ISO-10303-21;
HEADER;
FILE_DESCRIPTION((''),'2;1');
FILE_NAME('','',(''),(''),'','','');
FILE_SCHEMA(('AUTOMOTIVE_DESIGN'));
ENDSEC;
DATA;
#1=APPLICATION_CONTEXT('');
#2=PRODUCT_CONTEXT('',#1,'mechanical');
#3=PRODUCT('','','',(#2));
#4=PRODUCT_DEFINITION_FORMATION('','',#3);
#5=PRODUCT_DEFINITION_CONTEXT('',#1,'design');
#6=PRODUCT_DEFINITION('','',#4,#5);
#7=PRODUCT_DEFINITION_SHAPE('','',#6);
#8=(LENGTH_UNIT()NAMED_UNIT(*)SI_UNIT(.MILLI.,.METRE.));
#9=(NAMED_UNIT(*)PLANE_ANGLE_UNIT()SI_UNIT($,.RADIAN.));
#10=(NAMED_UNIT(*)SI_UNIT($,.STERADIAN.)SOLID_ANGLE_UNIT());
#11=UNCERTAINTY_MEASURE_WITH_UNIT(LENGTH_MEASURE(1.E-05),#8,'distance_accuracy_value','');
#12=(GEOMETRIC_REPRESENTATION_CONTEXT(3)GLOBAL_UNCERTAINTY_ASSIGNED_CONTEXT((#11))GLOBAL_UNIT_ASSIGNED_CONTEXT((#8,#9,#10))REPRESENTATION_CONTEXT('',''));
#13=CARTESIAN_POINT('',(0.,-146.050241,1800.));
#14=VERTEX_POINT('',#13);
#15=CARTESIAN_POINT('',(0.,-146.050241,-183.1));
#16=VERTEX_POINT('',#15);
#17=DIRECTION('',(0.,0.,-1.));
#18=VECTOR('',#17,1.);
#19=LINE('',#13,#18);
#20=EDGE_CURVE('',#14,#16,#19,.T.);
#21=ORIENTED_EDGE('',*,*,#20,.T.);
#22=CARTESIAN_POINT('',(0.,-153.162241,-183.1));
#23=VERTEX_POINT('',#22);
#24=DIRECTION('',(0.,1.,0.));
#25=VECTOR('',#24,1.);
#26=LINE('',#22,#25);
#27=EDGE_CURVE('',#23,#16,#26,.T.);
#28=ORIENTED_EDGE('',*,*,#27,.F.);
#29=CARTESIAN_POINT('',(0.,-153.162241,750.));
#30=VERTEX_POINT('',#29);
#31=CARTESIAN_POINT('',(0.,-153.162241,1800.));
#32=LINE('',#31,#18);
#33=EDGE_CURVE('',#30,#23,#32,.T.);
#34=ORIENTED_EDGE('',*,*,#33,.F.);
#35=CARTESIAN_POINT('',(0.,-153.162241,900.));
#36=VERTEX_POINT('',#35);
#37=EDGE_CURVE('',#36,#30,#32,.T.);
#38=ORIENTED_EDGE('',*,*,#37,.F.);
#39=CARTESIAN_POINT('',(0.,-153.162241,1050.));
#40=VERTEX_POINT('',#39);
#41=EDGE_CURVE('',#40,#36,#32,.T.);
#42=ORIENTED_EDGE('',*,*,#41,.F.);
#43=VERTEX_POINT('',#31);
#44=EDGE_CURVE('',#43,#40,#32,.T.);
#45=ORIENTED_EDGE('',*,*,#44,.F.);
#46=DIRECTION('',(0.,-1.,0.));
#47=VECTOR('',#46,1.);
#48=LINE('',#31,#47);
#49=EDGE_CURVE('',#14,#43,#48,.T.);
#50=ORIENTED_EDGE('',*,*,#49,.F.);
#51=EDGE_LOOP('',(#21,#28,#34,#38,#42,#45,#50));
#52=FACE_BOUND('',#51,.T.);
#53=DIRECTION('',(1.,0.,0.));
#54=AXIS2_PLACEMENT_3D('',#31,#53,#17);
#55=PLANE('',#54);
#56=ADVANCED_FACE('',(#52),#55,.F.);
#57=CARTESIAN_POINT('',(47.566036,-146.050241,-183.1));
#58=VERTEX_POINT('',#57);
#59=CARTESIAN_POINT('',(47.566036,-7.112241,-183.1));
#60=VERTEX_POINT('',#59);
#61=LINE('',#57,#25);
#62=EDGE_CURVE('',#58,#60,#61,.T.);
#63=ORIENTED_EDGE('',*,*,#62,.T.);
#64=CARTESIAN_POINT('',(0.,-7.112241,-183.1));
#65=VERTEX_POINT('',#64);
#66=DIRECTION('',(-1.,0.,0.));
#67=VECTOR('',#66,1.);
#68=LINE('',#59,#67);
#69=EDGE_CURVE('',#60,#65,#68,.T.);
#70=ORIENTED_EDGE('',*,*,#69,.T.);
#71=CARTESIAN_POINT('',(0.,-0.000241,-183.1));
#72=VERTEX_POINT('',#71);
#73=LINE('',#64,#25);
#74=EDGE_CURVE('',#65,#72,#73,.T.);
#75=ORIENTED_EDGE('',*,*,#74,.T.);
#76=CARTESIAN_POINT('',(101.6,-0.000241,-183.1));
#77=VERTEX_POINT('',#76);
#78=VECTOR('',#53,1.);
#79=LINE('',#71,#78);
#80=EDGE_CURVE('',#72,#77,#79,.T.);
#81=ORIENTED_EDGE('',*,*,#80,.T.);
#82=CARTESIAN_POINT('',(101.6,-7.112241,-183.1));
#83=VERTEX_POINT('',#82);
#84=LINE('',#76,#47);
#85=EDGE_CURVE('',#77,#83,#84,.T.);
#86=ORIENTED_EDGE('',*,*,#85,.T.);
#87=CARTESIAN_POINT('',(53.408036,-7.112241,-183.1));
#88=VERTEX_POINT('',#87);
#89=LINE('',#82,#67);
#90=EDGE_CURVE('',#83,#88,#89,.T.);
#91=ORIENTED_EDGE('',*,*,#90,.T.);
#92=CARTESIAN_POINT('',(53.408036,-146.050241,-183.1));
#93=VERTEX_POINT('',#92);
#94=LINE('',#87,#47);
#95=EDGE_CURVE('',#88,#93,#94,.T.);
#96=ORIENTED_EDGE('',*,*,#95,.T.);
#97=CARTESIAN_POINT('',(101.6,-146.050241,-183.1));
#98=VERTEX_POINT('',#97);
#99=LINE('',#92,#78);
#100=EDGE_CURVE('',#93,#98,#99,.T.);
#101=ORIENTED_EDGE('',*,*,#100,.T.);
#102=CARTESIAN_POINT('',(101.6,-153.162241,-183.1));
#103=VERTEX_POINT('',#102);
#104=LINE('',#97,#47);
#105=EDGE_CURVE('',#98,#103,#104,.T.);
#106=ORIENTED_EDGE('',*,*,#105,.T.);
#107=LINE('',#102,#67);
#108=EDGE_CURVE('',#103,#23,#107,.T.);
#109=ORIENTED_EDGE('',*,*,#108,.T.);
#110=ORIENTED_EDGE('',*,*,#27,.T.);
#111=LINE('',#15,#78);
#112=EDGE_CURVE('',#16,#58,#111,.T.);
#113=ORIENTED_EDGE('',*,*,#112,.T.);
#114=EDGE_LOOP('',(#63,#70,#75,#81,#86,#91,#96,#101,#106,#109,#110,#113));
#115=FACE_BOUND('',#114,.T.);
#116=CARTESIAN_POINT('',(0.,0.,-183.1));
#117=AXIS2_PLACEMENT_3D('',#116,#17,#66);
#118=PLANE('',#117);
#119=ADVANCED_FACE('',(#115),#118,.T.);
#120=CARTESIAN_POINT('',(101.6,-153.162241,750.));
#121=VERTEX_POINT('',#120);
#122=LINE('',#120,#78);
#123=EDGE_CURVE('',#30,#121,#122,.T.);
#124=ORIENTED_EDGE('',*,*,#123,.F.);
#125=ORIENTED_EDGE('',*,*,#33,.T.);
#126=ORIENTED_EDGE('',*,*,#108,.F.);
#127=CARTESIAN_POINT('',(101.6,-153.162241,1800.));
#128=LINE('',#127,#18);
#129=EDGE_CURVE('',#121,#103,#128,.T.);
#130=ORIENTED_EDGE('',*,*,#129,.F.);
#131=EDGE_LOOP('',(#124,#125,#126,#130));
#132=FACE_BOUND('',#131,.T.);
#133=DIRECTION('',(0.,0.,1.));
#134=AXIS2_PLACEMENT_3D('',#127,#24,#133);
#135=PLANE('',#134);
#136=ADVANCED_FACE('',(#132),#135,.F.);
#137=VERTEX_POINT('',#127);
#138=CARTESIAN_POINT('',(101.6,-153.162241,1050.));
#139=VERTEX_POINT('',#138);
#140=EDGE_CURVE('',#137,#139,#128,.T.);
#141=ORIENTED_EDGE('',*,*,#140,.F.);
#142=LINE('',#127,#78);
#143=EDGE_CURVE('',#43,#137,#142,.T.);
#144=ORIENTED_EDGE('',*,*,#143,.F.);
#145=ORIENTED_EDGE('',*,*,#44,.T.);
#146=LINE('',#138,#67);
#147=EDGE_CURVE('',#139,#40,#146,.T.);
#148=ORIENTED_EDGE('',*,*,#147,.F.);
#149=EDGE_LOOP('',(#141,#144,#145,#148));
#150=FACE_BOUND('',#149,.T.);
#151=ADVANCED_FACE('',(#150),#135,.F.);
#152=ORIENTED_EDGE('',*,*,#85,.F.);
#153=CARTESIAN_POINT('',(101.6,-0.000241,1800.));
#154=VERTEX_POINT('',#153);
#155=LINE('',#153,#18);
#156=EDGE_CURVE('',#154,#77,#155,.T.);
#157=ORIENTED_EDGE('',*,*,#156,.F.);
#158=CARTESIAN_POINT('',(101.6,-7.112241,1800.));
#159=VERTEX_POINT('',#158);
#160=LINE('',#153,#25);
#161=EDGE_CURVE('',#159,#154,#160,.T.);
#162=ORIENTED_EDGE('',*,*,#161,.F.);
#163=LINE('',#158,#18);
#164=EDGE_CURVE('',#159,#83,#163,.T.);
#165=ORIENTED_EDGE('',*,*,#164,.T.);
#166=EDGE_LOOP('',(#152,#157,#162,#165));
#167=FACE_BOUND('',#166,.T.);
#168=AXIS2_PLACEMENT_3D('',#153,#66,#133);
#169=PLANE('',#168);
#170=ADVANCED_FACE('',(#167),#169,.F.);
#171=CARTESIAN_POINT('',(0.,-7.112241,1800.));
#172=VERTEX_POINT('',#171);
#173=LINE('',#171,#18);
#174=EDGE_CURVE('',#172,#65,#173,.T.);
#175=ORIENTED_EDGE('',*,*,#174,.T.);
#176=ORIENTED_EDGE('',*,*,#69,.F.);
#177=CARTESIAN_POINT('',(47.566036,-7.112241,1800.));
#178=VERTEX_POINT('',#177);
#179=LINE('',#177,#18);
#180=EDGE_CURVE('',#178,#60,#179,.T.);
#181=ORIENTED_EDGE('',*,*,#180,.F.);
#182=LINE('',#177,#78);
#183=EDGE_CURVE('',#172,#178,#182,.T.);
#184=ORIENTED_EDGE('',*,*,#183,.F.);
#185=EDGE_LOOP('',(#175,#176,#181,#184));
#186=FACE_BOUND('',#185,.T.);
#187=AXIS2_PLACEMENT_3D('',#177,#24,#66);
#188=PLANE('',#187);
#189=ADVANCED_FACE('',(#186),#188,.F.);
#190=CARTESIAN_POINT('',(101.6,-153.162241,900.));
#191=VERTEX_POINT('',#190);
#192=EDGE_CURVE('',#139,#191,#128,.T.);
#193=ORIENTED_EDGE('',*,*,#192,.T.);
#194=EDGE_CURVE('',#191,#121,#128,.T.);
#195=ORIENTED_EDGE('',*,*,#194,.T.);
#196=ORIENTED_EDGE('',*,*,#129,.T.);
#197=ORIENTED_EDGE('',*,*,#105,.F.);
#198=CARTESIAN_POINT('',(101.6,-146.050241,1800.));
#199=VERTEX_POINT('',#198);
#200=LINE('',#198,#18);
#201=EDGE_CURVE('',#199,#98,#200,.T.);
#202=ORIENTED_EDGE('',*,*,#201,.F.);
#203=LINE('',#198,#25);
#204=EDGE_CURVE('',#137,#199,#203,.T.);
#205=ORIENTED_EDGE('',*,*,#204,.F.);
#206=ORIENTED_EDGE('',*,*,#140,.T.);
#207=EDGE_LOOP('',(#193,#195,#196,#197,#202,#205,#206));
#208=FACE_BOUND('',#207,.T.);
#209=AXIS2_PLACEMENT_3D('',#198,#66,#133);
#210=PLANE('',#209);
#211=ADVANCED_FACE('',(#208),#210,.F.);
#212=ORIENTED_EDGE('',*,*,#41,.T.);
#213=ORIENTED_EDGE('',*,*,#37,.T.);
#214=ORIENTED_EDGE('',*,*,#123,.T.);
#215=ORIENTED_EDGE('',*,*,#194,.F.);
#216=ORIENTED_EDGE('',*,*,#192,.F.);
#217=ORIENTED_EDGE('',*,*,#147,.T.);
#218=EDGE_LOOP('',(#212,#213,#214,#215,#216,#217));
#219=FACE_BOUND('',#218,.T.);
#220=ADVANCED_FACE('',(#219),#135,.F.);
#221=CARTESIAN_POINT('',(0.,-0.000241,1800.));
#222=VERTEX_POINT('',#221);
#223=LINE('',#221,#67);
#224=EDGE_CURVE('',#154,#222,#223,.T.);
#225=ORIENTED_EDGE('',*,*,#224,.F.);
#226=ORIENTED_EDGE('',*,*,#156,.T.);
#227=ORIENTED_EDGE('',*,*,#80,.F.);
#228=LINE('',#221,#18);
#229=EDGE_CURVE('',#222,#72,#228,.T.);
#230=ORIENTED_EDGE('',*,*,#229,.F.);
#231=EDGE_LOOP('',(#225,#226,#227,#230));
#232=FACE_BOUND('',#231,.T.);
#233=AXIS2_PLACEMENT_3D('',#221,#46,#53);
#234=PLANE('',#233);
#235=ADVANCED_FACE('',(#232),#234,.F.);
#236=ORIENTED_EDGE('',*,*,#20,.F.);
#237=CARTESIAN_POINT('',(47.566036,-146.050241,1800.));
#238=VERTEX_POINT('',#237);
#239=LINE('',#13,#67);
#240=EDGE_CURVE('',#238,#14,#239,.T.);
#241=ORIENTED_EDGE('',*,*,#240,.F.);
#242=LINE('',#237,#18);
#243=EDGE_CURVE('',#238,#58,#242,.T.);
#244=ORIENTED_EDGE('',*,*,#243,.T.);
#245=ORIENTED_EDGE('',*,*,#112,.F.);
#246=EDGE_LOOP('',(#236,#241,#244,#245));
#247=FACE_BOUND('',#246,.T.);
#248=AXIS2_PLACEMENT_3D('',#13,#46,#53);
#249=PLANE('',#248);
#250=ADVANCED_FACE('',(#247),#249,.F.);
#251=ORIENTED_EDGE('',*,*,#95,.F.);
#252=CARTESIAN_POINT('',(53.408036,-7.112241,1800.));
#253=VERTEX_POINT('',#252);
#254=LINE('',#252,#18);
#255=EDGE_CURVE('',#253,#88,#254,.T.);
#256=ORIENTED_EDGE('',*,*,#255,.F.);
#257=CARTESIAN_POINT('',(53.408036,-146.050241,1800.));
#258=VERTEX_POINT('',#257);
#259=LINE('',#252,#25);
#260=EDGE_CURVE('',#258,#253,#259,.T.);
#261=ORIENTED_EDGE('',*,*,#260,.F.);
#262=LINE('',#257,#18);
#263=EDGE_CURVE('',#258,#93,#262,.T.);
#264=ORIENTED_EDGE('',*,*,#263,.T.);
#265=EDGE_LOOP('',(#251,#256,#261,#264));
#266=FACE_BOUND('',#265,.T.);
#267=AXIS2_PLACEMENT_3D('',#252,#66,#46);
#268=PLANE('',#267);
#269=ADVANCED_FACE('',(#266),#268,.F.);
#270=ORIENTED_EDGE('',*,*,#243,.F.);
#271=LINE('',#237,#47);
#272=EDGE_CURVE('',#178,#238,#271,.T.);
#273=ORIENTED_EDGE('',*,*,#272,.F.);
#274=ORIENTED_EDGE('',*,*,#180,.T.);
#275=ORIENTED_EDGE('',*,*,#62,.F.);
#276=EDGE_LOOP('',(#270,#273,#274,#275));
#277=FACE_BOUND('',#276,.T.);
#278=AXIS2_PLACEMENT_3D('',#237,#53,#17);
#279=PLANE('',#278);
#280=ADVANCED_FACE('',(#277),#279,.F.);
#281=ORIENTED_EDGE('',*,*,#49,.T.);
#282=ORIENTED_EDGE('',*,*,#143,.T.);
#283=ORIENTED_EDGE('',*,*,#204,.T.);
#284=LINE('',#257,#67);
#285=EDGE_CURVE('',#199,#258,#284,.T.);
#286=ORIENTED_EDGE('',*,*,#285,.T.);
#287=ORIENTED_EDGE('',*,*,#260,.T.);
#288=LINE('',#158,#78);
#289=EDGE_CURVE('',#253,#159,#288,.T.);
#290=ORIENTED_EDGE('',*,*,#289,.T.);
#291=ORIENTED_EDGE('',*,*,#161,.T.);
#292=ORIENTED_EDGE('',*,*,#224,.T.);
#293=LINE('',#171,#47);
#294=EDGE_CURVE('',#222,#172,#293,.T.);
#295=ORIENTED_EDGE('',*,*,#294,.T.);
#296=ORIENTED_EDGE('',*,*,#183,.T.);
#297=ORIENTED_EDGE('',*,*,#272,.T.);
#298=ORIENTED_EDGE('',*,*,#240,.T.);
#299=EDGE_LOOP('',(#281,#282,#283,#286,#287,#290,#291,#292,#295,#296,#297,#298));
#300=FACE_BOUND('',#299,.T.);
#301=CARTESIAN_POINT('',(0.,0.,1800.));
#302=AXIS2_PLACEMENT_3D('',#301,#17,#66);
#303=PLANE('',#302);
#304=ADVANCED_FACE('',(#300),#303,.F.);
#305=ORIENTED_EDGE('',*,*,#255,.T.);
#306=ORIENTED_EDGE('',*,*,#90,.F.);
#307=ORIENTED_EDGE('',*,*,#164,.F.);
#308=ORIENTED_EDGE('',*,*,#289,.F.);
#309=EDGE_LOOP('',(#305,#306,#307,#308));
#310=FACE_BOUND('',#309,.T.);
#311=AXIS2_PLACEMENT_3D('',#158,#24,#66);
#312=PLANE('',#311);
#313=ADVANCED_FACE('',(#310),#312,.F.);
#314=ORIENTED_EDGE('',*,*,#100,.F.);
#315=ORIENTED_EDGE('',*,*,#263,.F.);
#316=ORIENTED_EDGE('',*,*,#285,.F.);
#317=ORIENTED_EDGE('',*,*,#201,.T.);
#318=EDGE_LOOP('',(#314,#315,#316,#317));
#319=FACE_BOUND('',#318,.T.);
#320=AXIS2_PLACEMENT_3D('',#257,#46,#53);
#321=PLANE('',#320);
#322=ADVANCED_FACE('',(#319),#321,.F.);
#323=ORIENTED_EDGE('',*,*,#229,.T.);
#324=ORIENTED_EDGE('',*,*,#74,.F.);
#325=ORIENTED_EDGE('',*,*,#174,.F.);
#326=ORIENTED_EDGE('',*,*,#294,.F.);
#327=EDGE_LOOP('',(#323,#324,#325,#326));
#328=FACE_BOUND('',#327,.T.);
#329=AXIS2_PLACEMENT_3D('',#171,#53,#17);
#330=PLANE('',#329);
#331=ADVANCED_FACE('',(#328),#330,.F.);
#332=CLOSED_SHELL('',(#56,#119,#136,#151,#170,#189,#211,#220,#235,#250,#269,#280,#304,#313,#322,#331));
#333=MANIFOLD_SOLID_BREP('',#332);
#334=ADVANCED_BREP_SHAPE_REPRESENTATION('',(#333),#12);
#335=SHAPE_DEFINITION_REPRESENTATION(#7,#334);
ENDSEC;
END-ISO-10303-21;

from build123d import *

# Parameters (mm, degrees)
BOSS_EXTRUDE1_DEPTH = 1800
BOSS_EXTRUDE2_DEPTH = 183.1


with BuildPart() as part:
    # Sketch1 → Boss-Extrude1 (new body)
    with BuildSketch(Plane.XY):
        Polygon((0, -0.000240533), (101.6, -0.000240533), (101.6, -7.112240533), (53.408035714, -7.112240533), (53.408035714, -146.050240533), (101.6, -146.050240533), (101.6, -153.162240533), (0, -153.162240533), (0, -146.050240533), (47.566035714, -146.050240533), (47.566035714, -7.112240533), (0, -7.112240533), align=None)
    extrude(amount=BOSS_EXTRUDE1_DEPTH)

    # Sketch3 → Boss-Extrude2 (add)
    with BuildSketch(Plane(origin=(0, 0, 0), x_dir=(-1, 0, 0), z_dir=(0, 0, -1))):
        Polygon((0, -7.112240533), (0, -0.000240533), (-101.6, -0.000240533), (-101.6, -7.112240533), (-53.408035714, -7.112240533), (-53.408035714, -146.050240533), (-101.6, -146.050240533), (-101.6, -153.162240533), (0, -153.162240533), (0, -146.050240533), (-47.566035714, -146.050240533), (-47.566035714, -7.112240533), align=None)
    extrude(amount=BOSS_EXTRUDE2_DEPTH)


solid = part.part
